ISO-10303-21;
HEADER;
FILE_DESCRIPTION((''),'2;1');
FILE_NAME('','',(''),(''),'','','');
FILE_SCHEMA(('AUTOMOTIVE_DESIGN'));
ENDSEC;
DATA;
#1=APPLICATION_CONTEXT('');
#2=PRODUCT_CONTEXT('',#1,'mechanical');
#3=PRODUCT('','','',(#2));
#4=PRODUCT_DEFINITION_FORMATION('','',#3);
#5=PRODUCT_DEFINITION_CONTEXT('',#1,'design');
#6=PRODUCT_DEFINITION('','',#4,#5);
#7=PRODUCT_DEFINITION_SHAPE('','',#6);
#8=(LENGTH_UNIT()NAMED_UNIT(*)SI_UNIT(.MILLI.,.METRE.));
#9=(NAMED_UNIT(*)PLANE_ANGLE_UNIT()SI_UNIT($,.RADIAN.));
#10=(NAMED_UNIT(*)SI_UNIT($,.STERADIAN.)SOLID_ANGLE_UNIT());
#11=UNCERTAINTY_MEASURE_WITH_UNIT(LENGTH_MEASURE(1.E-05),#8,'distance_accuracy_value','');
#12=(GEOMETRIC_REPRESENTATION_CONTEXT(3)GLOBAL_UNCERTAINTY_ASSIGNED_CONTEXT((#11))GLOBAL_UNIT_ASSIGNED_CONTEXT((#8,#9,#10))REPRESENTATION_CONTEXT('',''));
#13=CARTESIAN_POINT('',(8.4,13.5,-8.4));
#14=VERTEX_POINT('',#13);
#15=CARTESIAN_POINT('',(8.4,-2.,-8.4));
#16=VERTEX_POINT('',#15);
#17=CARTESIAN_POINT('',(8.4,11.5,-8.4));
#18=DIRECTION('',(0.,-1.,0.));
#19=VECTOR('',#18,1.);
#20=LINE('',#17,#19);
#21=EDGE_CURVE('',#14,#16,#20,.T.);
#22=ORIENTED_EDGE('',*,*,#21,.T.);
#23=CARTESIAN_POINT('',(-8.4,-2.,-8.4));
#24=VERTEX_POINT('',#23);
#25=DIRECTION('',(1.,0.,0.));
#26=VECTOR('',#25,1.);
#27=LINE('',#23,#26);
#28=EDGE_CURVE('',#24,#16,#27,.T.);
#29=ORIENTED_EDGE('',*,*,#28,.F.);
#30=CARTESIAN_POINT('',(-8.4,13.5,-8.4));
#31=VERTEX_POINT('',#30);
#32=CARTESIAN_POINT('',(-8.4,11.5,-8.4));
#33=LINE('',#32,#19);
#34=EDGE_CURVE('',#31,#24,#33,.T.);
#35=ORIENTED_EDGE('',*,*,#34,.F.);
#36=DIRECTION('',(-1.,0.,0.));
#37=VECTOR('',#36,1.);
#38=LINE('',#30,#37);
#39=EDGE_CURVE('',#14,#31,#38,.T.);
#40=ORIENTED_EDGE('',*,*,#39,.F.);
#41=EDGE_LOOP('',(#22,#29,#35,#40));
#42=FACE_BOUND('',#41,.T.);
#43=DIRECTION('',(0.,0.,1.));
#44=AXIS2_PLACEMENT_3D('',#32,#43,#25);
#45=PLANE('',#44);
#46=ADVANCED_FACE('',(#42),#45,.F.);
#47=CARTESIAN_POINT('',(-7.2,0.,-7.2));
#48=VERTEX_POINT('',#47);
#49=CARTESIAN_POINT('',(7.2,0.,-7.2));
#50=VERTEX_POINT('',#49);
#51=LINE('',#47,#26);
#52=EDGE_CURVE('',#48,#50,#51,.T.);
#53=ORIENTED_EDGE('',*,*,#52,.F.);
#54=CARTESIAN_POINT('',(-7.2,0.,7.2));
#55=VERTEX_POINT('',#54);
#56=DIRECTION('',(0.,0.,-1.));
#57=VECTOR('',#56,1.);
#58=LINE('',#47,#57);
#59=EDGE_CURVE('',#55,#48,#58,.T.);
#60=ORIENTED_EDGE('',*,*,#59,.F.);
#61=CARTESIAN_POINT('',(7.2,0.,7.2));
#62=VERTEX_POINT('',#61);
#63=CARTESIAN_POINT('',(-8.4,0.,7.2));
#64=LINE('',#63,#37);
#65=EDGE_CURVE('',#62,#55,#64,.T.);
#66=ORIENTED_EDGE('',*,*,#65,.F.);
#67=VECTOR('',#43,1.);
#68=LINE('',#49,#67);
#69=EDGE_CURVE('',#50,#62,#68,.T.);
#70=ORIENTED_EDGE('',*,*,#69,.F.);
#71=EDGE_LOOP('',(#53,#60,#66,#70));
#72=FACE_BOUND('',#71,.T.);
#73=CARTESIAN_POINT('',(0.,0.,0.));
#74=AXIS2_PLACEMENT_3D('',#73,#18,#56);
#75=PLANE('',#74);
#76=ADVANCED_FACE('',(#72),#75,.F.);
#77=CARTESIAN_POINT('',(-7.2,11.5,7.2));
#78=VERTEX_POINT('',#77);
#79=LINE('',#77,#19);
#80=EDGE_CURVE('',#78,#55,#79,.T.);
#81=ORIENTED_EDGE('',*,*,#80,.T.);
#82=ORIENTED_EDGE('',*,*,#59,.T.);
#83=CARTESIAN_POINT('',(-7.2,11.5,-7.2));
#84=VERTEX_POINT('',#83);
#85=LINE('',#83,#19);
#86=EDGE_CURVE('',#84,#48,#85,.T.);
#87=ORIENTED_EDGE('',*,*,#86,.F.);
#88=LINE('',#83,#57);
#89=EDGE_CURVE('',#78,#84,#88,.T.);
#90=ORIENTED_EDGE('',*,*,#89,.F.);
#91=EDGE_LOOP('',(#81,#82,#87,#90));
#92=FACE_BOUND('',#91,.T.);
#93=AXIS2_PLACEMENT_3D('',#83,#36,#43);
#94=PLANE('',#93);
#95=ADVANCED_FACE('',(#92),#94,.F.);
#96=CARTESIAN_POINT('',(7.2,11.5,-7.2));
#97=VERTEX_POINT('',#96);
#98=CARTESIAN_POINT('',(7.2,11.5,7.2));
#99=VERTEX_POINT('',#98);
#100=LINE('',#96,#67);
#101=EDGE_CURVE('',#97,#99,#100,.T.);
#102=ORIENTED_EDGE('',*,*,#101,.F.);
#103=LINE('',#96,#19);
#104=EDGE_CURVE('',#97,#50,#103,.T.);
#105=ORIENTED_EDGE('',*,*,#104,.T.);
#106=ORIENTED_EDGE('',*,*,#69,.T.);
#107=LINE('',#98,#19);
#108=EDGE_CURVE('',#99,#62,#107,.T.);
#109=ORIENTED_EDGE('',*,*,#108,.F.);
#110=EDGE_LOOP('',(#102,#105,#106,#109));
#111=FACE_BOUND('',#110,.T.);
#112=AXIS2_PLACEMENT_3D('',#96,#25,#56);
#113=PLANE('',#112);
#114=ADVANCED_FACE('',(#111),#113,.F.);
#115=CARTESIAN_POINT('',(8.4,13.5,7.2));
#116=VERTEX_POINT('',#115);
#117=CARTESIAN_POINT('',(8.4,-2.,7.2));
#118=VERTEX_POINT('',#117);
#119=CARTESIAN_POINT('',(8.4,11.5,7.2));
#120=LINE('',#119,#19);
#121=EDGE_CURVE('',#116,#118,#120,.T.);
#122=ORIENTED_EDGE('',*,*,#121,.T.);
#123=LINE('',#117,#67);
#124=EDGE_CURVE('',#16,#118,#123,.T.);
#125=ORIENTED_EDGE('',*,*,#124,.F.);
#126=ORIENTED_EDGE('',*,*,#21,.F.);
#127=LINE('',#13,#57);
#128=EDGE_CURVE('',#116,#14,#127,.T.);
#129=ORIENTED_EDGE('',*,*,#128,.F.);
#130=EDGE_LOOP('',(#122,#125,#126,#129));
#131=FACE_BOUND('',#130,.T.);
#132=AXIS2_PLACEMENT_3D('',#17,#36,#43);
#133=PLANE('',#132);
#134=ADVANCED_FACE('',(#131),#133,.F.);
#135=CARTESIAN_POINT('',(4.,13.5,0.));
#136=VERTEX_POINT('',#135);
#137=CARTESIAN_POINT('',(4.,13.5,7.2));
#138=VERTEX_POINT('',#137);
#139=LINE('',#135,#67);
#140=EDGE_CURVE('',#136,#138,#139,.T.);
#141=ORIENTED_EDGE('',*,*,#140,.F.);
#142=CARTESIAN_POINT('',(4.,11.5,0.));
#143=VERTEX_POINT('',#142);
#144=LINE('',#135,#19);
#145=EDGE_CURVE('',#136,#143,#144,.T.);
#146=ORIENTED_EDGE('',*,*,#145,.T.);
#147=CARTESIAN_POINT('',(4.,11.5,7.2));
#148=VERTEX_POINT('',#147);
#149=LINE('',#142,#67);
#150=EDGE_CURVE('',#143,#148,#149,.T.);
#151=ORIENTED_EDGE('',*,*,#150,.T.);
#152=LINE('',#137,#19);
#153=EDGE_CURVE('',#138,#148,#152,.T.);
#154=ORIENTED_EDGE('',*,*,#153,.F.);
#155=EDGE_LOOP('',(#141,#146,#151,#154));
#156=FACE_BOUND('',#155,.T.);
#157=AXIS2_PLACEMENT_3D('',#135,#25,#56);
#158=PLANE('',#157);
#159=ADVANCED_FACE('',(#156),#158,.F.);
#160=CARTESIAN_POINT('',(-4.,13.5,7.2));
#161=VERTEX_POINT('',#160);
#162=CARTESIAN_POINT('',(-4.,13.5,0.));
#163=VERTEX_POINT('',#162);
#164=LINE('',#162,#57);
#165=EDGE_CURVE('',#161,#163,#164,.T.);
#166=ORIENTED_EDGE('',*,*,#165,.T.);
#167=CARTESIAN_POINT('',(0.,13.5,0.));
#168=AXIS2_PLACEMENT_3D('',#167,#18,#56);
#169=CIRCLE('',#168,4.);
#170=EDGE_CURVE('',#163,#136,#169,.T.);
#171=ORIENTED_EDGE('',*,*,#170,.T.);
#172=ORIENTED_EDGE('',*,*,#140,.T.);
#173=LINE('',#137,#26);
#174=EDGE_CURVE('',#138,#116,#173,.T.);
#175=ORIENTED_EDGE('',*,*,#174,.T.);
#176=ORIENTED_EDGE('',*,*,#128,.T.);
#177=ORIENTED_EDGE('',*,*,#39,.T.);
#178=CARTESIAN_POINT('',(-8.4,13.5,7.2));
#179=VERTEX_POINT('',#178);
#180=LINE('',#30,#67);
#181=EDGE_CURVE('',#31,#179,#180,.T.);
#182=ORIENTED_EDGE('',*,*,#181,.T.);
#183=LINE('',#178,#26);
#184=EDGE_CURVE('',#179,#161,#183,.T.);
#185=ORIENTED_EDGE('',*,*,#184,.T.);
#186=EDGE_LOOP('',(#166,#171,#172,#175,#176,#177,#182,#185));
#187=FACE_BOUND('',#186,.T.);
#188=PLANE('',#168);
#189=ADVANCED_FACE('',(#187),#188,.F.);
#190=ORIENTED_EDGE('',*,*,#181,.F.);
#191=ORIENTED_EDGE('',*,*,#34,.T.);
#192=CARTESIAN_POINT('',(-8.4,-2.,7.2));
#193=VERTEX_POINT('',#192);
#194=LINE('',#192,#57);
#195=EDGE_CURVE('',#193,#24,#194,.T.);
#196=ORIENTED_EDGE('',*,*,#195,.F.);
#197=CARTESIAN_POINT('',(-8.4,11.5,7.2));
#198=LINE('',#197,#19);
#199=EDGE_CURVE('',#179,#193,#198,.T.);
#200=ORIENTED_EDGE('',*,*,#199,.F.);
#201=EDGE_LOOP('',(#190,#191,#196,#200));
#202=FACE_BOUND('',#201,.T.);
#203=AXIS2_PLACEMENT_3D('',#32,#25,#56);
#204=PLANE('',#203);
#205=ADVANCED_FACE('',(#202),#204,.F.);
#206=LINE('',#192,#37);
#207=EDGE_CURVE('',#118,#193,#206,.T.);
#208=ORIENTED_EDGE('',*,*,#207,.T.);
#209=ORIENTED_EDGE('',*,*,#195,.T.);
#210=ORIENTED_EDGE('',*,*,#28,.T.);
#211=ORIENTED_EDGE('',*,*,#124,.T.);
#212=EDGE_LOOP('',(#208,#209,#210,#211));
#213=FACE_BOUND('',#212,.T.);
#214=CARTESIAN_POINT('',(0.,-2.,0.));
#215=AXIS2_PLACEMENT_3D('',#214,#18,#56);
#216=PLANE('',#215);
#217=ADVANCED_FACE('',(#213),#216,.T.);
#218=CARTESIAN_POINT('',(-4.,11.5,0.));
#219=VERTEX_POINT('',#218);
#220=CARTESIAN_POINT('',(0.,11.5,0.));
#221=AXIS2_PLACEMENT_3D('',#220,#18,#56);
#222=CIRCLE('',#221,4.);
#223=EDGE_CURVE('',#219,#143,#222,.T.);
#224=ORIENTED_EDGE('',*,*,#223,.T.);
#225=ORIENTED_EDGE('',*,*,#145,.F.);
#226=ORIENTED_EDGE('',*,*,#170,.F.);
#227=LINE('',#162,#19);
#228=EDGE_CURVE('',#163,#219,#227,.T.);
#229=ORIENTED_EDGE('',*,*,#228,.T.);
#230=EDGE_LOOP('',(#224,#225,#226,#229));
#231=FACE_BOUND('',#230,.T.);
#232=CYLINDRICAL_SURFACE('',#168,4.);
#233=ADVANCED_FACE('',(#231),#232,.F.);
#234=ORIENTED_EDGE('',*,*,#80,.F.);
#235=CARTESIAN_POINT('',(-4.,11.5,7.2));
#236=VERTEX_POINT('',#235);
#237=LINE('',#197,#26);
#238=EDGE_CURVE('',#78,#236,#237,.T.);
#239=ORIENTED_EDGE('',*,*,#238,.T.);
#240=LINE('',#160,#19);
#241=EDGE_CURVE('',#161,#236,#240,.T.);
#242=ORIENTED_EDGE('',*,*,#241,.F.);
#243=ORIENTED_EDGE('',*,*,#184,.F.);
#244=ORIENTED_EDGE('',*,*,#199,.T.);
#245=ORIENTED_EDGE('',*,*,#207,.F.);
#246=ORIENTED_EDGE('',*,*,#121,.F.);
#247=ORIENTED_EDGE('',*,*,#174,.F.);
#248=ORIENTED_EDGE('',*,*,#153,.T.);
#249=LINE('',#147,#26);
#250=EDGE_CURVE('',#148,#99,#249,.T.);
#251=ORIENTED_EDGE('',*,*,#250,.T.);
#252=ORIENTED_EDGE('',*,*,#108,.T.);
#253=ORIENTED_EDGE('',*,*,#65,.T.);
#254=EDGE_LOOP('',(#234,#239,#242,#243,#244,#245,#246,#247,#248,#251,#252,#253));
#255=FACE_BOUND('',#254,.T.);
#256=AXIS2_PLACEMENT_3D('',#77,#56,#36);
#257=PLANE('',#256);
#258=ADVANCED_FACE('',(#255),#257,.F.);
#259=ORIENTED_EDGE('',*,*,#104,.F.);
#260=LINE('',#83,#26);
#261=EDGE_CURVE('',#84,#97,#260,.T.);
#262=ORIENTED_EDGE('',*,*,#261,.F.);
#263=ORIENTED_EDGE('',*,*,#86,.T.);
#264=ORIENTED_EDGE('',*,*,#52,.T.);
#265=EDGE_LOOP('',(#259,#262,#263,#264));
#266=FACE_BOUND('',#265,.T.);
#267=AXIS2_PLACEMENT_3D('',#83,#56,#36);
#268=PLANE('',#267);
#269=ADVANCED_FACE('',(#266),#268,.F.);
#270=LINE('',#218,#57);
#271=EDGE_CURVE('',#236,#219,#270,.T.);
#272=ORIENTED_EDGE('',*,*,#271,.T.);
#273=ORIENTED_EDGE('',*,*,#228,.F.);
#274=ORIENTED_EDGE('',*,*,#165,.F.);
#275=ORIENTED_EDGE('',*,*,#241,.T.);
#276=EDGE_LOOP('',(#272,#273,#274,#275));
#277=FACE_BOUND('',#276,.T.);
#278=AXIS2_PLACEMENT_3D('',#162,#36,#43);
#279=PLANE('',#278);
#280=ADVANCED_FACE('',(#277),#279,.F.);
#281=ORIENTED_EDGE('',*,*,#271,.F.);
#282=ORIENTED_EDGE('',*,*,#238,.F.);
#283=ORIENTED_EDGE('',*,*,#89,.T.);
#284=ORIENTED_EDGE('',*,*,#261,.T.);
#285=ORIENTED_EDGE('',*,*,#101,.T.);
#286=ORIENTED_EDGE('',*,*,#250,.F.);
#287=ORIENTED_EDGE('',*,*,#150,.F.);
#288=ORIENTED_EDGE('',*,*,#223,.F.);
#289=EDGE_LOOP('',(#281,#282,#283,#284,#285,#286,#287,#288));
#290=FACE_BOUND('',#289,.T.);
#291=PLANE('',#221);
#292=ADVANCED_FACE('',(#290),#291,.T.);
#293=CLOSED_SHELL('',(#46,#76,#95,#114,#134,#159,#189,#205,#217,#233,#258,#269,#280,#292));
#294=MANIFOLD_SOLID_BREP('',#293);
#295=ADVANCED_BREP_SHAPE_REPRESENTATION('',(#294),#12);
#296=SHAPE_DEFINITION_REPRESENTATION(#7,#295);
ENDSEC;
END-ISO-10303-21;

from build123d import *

# Parameters (mm, degrees)
BOSS_EXTRUDE1_DEPTH = 11.5
SKETCH2_W           = 16.8
SKETCH2_H           = 15.6
BOSS_EXTRUDE2_DEPTH = 2
BOSS_EXTRUDE3_DEPTH = 2


with BuildPart() as part:
    # Sketch1 → Boss-Extrude1 (new body)
    with BuildSketch(Plane(origin=(0, 0, 0), x_dir=(1, 0, 0), z_dir=(0, 1, 0))):
        Polygon((-8.4, 8.4), (-8.4, -7.2), (-7.2, -7.2), (-7.2, 7.2), (7.2, 7.2), (7.2, -7.2), (8.4, -7.2), (8.4, 8.4), align=None)
    extrude(amount=BOSS_EXTRUDE1_DEPTH)

    # Sketch2 → Boss-Extrude2 (add)
    with BuildSketch(Plane.XZ):
        with Locations((0, -0.6)):
            Rectangle(SKETCH2_W, SKETCH2_H)
    extrude(amount=BOSS_EXTRUDE2_DEPTH)

    # Sketch3 → Boss-Extrude3 (add)
    with BuildSketch(Plane(origin=(0, 11.5, 0), x_dir=(1, 0, 0), z_dir=(0, 1, 0))):
        with BuildLine():
            Line((-4, 0), (-4, -7.2))
            Line((-4, -7.2), (-8.4, -7.2))
            Line((-8.4, -7.2), (-8.4, 8.4))
            Line((-8.4, 8.4), (8.4, 8.4))
            Line((8.4, 8.4), (8.4, -7.2))
            Line((8.4, -7.2), (4, -7.2))
            Line((4, -7.2), (4, 0))
            ThreePointArc((4, 0), (0, 4), (-4, 0))
        make_face()
    extrude(amount=BOSS_EXTRUDE3_DEPTH)


solid = part.part
